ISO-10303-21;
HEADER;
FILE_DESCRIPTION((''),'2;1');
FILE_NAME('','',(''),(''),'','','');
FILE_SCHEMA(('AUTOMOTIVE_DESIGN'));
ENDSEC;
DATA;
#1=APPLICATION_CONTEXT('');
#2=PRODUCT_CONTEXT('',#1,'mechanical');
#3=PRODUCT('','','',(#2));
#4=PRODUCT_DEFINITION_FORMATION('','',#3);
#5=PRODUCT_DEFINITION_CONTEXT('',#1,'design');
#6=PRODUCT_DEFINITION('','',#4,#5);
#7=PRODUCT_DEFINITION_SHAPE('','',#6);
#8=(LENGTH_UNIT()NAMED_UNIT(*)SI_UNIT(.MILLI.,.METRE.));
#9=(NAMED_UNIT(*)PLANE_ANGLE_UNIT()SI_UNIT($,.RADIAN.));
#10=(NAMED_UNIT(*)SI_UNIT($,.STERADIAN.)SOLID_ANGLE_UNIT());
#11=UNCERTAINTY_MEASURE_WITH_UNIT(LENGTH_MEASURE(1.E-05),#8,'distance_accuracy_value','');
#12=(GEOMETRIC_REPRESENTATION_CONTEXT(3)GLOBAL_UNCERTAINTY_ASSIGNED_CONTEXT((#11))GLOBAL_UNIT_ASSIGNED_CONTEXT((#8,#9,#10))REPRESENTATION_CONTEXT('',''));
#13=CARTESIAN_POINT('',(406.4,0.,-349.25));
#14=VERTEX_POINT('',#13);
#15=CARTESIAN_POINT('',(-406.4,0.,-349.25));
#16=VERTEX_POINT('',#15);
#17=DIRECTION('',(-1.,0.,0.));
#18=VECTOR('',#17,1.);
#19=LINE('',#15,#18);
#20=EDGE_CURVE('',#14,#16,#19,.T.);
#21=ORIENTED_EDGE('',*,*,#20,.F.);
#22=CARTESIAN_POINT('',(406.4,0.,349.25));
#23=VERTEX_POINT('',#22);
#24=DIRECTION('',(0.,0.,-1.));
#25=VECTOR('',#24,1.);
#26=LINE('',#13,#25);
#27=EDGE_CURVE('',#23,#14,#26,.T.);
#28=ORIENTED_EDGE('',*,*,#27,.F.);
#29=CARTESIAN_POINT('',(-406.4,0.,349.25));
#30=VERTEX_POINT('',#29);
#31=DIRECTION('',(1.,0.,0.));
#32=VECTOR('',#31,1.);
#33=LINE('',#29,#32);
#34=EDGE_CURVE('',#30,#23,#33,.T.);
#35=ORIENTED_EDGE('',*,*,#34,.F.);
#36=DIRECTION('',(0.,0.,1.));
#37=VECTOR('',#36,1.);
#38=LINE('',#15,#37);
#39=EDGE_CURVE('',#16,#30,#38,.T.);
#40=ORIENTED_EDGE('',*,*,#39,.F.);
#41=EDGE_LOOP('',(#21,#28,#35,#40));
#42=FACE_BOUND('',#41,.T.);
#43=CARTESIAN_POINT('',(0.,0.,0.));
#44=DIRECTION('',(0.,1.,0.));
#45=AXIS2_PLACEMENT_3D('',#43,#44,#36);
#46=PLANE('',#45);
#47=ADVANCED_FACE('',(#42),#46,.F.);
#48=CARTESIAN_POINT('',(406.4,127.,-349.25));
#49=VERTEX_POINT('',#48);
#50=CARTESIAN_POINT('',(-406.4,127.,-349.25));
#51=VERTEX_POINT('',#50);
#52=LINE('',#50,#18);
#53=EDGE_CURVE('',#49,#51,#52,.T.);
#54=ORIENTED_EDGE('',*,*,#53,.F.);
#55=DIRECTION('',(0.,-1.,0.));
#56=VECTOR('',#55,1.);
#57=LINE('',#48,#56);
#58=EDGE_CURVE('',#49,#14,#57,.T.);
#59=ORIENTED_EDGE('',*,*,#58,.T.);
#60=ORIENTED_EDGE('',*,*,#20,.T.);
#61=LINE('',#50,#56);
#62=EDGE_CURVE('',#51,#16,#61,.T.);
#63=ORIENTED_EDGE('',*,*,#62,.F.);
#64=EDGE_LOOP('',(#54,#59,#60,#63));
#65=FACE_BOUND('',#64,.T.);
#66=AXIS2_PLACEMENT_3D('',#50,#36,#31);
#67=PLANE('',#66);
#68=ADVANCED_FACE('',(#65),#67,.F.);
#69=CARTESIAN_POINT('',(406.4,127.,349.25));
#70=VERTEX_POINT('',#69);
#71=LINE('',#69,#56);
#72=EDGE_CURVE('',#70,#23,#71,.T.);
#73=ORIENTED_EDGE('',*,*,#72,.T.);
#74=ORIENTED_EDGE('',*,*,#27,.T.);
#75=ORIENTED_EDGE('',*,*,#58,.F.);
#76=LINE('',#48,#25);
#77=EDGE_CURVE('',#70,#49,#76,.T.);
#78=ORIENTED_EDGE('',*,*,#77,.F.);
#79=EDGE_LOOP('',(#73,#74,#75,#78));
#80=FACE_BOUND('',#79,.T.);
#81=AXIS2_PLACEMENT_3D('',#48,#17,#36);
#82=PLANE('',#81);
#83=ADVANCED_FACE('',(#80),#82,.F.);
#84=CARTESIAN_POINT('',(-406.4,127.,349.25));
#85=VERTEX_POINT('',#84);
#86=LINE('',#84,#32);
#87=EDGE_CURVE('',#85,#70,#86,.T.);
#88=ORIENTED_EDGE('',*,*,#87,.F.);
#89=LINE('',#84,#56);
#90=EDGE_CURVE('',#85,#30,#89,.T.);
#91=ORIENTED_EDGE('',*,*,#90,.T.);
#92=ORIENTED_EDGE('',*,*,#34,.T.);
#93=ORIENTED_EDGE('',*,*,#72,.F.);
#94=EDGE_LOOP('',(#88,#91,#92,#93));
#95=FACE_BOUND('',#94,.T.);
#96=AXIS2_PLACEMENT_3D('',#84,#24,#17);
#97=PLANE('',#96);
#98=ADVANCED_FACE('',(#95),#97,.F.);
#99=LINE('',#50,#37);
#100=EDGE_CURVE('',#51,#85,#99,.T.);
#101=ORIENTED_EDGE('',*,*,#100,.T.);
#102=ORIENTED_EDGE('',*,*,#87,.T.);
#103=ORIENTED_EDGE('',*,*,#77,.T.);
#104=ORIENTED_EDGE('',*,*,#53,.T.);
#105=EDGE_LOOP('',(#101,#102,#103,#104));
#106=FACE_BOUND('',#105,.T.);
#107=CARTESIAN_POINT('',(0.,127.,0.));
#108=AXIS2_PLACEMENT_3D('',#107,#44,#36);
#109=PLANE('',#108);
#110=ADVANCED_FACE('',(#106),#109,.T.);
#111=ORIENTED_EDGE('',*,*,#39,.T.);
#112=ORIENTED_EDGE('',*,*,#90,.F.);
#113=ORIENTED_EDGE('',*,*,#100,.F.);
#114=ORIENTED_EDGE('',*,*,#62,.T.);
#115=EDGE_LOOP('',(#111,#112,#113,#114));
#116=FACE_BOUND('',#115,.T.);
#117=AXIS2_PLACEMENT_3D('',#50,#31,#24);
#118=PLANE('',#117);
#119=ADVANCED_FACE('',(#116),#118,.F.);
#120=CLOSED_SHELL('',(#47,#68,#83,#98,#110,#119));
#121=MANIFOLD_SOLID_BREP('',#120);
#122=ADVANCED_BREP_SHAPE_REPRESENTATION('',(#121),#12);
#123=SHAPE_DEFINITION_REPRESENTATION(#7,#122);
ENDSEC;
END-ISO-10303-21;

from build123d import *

# Parameters (mm, degrees)
SKETCH1_W           = 812.8
SKETCH1_H           = 698.5
BOSS_EXTRUDE1_DEPTH = 127


with BuildPart() as part:
    # Sketch1 → Boss-Extrude1 (new body)
    with BuildSketch(Plane(origin=(0, 0, 0), x_dir=(1, 0, 0), z_dir=(0, 1, 0))):
        Rectangle(SKETCH1_W, SKETCH1_H)
    extrude(amount=BOSS_EXTRUDE1_DEPTH)


solid = part.part
